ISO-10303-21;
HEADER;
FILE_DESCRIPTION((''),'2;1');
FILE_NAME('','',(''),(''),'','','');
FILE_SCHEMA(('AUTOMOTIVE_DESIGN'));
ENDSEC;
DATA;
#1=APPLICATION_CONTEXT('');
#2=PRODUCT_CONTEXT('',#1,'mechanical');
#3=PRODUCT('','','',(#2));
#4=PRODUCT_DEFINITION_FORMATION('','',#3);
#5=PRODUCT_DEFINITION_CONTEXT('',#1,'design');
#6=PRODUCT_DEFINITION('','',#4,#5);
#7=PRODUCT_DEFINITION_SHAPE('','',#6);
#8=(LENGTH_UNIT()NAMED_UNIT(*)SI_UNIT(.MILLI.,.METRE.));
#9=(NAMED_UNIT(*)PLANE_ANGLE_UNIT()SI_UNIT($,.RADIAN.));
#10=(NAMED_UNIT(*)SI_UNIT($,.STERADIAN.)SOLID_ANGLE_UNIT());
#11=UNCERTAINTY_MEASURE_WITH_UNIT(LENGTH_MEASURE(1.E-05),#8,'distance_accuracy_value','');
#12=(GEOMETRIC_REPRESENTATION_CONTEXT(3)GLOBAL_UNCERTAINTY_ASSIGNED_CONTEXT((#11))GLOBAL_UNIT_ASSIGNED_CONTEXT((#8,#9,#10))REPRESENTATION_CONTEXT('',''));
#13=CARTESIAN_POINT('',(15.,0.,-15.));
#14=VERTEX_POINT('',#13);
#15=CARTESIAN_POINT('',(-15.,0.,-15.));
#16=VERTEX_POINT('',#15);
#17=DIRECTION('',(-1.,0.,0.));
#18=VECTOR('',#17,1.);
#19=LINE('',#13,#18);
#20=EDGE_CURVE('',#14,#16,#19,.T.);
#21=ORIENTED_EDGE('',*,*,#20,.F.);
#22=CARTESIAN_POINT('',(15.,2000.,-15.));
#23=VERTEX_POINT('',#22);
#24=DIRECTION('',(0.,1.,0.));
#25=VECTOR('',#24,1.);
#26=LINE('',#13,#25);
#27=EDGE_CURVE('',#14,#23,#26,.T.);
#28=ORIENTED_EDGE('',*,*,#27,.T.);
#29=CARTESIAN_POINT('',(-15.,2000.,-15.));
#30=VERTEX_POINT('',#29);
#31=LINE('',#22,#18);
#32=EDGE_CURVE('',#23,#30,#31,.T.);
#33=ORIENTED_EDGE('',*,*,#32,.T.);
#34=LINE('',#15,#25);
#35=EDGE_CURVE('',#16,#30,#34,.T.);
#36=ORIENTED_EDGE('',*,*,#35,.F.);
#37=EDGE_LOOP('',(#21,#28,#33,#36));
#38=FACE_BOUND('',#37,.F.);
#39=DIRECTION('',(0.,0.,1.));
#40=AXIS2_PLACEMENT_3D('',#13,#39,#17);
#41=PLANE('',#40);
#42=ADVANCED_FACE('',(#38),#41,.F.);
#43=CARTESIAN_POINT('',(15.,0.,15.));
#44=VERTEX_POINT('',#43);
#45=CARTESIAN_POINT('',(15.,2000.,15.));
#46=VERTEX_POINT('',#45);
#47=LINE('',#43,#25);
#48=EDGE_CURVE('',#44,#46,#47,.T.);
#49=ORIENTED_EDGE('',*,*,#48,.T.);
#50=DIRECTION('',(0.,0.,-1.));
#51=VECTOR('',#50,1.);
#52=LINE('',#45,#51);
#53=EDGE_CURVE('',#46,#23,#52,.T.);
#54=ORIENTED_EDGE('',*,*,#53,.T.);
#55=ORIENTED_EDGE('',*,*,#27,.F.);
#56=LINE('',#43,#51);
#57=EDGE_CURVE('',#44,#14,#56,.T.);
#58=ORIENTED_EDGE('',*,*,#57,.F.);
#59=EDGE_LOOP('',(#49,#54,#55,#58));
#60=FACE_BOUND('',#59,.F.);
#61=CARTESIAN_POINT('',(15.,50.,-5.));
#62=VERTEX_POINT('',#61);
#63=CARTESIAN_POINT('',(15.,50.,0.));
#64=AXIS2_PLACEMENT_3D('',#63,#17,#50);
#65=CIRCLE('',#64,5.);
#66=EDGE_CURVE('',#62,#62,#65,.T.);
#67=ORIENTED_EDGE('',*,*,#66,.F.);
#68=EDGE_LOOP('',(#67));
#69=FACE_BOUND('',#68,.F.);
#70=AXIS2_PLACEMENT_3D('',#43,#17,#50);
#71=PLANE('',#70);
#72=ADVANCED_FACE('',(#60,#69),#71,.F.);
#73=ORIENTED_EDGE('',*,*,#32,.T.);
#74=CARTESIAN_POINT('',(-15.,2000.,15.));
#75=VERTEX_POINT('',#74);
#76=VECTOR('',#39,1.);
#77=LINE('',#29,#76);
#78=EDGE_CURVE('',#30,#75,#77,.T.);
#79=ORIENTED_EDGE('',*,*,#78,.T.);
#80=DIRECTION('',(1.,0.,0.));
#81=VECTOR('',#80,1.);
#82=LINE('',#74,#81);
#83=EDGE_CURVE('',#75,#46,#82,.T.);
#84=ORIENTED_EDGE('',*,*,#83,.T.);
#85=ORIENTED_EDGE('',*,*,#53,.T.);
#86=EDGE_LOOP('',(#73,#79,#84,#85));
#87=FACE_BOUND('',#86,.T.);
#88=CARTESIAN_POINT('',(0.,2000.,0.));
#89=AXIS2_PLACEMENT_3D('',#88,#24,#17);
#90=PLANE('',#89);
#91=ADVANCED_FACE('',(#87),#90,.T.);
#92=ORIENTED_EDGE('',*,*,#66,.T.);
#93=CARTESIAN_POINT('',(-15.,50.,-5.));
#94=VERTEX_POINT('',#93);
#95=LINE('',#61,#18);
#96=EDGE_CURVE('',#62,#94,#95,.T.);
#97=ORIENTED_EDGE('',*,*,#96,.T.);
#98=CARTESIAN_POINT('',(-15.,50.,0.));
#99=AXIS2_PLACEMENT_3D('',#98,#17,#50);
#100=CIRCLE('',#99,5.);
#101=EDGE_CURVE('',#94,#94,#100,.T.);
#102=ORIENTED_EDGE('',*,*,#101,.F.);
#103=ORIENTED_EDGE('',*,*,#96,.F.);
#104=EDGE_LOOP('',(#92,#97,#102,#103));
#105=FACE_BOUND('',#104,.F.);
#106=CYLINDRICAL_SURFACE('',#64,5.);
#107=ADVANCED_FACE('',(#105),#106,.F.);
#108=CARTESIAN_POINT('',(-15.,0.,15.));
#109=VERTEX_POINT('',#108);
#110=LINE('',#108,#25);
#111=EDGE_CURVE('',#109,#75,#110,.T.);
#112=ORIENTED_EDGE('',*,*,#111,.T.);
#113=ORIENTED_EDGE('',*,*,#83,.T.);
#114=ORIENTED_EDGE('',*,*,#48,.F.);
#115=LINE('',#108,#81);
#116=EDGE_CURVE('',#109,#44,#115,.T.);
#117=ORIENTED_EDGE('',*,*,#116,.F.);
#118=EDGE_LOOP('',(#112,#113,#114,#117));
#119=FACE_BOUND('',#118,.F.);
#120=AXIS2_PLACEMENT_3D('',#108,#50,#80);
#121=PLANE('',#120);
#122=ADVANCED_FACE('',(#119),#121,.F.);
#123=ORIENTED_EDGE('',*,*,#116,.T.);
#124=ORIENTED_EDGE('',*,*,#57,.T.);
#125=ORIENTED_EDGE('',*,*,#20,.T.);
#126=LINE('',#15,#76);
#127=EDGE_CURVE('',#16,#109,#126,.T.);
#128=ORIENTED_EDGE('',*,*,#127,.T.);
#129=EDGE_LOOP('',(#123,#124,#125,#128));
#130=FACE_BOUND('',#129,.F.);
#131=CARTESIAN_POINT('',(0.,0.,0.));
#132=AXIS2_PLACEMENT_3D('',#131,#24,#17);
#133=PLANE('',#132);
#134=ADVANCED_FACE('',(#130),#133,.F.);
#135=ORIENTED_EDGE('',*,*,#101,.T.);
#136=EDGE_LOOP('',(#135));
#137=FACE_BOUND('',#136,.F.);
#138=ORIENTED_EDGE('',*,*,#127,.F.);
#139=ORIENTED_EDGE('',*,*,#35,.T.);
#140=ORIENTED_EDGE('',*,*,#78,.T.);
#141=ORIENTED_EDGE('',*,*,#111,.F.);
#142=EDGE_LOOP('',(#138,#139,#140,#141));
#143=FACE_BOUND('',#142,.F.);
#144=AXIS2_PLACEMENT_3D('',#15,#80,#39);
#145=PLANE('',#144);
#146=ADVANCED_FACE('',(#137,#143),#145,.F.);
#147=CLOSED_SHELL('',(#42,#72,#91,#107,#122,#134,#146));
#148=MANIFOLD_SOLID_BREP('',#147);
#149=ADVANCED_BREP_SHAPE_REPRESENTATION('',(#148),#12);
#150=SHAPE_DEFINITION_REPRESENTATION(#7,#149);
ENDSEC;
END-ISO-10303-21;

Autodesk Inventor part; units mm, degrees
ref_plane "YZ Plane" through (0, 0, 0) normal (1, 0, 0) x (0, 1, 0)
ref_plane "XZ Plane" through (0, 0, 0) normal (0, 1, 0) x (-1, 0, 0)
ref_plane "XY Plane" through (0, 0, 0) normal (0, 0, 1) x (1, 0, 0)
sketch "Skizze1" plane through (0, 0, 0) normal (0, 1, 0) x (-1, 0, 0)
  line L0 (15, 15) -> (-15, 15)
  line L1 (-15, 15) -> (-15, -15)
  line L2 (-15, -15) -> (15, -15)
  line L3 (15, -15) -> (15, 15)
  line L4 (0, 0) -> (15, 0) construction
  line L5 (0, 0) -> (0, -15) construction
  dimension "d0" = 30
  dimension "d1" = 30
extrude "Extrusion1" add sketch "Skizze1" along normal blind 2000
sketch "Skizze2" plane through (15, 0, -15) normal (1, 0, 0) x (0, 0, -1)
  line L0 (-30, 0) -> (0, 0) projected
  line L1 (-15, 0) -> (-15, 50) construction
  dimension "d4" = 50
hole "Bohrung3" at (15, 50, 0) direction (-1, 0, 0) diameter 10 end through all
properties part number "Standbein_mitte"
